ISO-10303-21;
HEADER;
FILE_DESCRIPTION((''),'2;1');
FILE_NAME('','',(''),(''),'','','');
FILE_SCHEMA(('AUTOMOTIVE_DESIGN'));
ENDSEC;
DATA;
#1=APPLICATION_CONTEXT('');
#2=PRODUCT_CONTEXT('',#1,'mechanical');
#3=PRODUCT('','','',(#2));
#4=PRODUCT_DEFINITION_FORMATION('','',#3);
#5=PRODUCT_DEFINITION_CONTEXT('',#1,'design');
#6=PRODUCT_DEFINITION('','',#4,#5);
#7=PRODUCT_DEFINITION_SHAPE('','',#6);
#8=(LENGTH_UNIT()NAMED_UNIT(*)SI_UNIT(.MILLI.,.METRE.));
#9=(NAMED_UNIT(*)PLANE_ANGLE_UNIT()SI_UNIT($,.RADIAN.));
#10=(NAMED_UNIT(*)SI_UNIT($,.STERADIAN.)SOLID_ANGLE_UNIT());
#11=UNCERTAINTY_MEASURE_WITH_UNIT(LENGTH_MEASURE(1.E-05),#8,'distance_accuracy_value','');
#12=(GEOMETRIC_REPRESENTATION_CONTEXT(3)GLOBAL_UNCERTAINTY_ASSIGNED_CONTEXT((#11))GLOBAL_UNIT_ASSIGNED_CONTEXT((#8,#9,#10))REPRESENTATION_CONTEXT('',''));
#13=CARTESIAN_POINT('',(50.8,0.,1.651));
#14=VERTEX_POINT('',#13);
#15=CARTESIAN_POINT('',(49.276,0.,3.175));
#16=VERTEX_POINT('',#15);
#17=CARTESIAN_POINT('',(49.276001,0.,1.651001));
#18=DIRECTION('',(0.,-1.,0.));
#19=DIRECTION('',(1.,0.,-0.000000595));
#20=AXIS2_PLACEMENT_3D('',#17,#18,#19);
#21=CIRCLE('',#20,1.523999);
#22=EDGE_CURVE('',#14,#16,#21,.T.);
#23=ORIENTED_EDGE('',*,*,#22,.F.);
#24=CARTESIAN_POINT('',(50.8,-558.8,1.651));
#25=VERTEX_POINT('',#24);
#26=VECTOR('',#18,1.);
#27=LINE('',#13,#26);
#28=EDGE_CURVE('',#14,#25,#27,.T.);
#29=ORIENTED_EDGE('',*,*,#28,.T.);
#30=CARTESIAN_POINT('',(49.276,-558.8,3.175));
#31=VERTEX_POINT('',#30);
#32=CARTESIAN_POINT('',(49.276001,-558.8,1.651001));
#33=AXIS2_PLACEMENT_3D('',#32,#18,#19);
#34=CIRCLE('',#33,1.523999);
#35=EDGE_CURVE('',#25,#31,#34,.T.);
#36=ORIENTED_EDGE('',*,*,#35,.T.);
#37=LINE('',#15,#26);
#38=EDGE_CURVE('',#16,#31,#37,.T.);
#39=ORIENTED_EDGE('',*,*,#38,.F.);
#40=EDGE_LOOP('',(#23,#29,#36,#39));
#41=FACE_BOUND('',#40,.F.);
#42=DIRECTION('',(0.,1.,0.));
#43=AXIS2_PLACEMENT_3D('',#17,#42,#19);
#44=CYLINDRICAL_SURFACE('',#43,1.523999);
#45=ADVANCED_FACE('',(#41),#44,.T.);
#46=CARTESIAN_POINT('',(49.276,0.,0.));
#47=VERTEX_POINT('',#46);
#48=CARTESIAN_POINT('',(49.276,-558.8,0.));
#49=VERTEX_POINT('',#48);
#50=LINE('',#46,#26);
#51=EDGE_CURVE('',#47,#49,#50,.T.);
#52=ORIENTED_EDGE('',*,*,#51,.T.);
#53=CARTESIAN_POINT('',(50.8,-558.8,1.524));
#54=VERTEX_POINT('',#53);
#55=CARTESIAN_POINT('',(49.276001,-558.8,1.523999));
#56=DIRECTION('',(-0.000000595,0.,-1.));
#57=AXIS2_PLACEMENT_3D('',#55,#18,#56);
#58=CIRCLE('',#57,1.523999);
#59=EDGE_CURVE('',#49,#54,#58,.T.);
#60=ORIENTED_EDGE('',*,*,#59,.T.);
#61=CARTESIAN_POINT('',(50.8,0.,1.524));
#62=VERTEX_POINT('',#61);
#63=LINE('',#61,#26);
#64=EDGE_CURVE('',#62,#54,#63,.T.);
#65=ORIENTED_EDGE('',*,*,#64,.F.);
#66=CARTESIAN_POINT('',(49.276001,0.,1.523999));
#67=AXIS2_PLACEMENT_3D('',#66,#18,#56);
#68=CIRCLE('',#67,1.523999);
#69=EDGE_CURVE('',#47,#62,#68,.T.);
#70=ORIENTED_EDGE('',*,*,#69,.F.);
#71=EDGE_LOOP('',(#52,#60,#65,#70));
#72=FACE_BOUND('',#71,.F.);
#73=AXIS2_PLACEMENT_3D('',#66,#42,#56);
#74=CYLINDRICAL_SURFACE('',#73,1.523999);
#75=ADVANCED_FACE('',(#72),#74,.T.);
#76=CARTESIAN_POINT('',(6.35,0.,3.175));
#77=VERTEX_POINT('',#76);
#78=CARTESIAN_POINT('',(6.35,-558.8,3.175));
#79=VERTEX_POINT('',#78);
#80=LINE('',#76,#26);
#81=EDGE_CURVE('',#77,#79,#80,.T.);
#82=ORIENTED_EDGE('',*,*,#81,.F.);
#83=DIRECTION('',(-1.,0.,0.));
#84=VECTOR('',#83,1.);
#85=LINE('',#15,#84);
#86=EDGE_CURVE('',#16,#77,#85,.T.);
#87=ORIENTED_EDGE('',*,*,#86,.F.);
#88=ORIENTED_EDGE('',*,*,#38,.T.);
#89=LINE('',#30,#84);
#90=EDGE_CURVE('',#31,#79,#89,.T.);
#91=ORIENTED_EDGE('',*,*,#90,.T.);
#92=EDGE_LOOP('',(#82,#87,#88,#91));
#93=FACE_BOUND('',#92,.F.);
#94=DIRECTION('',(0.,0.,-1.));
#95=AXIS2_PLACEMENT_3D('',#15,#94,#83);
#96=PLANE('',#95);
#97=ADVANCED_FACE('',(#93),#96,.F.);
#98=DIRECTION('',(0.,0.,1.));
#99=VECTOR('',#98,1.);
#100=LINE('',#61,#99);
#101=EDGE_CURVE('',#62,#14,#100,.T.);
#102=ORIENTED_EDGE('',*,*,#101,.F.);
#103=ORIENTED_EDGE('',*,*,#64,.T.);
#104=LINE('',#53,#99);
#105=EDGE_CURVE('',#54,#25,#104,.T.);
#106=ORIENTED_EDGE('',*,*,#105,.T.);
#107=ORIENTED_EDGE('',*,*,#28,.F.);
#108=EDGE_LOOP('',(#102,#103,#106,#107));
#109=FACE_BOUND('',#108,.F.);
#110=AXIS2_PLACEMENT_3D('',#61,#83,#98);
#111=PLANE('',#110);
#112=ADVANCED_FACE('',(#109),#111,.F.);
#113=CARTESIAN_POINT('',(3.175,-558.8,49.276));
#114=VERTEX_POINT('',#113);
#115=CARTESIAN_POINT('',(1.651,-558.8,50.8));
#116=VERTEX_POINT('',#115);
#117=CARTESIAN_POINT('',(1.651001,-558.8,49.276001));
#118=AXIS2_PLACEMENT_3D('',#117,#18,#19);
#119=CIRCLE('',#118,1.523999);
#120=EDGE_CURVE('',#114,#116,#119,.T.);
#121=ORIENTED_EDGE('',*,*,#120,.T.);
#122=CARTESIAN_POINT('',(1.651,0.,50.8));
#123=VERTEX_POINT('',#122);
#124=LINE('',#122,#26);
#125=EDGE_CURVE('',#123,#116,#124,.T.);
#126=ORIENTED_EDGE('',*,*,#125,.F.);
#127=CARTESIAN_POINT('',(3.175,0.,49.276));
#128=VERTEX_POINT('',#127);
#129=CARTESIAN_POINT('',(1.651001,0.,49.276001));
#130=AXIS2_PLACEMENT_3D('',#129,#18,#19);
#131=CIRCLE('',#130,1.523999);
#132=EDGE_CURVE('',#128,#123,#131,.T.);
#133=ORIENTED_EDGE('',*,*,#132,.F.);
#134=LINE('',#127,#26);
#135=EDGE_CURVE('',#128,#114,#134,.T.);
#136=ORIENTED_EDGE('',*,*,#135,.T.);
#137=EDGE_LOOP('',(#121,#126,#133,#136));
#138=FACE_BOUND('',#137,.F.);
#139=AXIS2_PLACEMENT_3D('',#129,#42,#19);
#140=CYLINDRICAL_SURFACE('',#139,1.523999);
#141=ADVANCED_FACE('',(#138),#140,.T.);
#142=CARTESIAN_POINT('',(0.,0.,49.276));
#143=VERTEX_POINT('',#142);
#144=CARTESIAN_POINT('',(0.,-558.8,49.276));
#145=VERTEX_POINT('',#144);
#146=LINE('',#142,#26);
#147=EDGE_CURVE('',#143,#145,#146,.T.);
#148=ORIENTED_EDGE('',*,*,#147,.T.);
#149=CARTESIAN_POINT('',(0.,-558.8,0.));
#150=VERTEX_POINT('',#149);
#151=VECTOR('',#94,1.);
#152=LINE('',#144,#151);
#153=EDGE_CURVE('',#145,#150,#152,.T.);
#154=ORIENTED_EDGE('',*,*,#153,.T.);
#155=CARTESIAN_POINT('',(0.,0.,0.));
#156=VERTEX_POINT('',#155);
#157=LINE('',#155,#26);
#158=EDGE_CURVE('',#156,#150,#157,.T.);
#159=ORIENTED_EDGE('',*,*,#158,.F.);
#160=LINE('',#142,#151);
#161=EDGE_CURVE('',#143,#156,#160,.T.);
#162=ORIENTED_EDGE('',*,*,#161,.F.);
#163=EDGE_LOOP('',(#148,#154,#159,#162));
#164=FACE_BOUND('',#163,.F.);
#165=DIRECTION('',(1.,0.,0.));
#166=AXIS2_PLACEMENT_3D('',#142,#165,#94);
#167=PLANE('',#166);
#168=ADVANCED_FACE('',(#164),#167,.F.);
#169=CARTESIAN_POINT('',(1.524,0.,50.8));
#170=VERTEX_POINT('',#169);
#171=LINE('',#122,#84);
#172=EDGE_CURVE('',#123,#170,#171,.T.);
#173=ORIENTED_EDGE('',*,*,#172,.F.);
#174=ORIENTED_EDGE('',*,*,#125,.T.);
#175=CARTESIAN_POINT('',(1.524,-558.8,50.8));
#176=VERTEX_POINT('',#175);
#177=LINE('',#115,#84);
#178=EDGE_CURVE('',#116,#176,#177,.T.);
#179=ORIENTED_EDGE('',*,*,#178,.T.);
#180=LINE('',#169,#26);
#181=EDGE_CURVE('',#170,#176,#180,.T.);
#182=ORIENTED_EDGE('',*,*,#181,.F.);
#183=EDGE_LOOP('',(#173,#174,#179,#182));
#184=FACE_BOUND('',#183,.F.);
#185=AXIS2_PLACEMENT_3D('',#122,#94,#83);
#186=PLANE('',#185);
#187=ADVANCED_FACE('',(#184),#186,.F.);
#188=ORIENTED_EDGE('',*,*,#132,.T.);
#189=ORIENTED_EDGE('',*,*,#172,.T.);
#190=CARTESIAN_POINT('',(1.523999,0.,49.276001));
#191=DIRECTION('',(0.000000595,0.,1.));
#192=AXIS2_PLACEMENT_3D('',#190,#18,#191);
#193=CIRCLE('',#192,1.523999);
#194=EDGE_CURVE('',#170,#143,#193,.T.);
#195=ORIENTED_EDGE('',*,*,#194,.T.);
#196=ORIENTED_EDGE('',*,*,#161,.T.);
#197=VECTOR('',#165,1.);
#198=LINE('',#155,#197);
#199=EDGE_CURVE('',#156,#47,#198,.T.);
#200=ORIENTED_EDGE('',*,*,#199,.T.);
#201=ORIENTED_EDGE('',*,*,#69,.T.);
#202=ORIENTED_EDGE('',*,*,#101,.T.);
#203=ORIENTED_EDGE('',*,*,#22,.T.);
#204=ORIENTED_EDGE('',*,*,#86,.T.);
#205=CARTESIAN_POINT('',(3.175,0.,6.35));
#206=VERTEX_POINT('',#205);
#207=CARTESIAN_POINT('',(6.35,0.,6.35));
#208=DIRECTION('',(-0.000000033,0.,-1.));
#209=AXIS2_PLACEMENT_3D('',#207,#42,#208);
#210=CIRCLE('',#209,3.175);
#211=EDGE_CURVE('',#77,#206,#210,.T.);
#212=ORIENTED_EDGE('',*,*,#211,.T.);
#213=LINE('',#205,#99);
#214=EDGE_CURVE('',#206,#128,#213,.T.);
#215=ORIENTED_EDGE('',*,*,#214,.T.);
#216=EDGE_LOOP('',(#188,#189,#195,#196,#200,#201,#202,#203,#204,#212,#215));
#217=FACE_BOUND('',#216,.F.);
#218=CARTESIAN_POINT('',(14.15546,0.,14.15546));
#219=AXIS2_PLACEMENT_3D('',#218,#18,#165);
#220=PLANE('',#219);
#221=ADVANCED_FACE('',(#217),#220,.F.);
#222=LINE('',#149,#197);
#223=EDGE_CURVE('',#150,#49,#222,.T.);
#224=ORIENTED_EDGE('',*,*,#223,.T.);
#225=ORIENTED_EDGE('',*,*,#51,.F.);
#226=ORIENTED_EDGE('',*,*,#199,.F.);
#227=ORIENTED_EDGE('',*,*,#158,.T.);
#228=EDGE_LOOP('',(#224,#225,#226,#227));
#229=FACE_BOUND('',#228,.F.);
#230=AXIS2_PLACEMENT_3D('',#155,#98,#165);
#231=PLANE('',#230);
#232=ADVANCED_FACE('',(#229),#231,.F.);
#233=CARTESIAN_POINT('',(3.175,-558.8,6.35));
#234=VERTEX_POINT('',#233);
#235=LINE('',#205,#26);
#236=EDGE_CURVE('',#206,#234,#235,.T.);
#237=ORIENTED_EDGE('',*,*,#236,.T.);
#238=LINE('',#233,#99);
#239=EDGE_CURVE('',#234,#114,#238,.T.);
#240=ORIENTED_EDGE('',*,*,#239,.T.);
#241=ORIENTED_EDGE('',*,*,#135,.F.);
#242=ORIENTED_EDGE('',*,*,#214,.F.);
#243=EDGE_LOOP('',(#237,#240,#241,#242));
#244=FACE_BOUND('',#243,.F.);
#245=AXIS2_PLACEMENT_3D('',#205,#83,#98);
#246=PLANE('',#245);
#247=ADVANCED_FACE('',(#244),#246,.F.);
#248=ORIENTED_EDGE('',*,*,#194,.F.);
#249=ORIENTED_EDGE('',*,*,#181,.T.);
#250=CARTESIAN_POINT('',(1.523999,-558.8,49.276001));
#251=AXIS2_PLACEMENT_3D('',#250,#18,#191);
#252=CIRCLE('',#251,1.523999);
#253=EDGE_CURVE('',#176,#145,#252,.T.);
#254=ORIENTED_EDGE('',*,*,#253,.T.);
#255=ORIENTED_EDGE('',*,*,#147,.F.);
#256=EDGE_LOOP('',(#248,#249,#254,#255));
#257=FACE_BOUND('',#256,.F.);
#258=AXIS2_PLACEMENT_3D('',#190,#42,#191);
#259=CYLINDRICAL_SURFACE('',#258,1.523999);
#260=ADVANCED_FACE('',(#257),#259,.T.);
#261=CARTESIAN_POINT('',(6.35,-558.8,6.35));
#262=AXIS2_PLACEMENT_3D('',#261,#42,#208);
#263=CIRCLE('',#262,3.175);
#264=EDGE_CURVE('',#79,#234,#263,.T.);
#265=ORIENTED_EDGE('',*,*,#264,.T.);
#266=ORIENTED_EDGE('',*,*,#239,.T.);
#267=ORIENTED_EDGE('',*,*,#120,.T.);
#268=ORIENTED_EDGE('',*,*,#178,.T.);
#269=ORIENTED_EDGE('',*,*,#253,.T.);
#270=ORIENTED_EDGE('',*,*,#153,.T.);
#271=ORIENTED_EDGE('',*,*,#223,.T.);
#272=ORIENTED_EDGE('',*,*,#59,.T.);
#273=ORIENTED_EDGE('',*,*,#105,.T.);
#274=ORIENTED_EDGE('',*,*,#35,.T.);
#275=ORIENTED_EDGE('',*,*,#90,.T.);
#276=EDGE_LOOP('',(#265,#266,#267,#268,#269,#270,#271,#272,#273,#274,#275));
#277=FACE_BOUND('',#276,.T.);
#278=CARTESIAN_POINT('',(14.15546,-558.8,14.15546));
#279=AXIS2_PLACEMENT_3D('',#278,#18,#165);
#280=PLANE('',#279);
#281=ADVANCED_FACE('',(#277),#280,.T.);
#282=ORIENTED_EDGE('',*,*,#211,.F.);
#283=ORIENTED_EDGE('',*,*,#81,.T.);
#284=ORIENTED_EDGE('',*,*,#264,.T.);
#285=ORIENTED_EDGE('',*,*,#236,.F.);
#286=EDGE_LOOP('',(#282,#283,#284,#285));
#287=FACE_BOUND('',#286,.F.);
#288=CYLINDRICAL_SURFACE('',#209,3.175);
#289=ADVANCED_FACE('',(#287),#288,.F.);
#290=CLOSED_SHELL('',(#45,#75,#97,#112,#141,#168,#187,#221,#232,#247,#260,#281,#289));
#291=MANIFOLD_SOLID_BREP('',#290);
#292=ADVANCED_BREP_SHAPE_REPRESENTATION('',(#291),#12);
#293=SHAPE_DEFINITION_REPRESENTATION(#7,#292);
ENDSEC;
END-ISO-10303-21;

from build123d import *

# Parameters (mm, degrees)
F1_DEPTH = 558.8


with BuildPart() as f1:
    # F0 (on Front) → F1 (new body)
    with BuildSketch(Plane.XZ):
        with BuildLine():
            Line((0, 49.276), (0, 0))
            Line((0, 0), (49.276, 0))
            ThreePointArc((49.276, 0), (50.353631, 0.446369), (50.8, 1.524))
            Line((50.8, 1.524), (50.8, 1.651))
            ThreePointArc((50.8, 1.651), (50.353631, 2.728631), (49.276, 3.175))
            Line((49.276, 3.175), (6.35, 3.175))
            ThreePointArc((6.35, 3.175), (4.104936, 4.104936), (3.175, 6.35))
            Line((3.175, 6.35), (3.175, 49.276))
            ThreePointArc((3.175, 49.276), (2.728631, 50.353631), (1.651, 50.8))
            Line((1.651, 50.8), (1.524, 50.8))
            ThreePointArc((1.524, 50.8), (0.446369, 50.353631), (0, 49.276))
        make_face()
    extrude(amount=F1_DEPTH)


solid = f1.part
